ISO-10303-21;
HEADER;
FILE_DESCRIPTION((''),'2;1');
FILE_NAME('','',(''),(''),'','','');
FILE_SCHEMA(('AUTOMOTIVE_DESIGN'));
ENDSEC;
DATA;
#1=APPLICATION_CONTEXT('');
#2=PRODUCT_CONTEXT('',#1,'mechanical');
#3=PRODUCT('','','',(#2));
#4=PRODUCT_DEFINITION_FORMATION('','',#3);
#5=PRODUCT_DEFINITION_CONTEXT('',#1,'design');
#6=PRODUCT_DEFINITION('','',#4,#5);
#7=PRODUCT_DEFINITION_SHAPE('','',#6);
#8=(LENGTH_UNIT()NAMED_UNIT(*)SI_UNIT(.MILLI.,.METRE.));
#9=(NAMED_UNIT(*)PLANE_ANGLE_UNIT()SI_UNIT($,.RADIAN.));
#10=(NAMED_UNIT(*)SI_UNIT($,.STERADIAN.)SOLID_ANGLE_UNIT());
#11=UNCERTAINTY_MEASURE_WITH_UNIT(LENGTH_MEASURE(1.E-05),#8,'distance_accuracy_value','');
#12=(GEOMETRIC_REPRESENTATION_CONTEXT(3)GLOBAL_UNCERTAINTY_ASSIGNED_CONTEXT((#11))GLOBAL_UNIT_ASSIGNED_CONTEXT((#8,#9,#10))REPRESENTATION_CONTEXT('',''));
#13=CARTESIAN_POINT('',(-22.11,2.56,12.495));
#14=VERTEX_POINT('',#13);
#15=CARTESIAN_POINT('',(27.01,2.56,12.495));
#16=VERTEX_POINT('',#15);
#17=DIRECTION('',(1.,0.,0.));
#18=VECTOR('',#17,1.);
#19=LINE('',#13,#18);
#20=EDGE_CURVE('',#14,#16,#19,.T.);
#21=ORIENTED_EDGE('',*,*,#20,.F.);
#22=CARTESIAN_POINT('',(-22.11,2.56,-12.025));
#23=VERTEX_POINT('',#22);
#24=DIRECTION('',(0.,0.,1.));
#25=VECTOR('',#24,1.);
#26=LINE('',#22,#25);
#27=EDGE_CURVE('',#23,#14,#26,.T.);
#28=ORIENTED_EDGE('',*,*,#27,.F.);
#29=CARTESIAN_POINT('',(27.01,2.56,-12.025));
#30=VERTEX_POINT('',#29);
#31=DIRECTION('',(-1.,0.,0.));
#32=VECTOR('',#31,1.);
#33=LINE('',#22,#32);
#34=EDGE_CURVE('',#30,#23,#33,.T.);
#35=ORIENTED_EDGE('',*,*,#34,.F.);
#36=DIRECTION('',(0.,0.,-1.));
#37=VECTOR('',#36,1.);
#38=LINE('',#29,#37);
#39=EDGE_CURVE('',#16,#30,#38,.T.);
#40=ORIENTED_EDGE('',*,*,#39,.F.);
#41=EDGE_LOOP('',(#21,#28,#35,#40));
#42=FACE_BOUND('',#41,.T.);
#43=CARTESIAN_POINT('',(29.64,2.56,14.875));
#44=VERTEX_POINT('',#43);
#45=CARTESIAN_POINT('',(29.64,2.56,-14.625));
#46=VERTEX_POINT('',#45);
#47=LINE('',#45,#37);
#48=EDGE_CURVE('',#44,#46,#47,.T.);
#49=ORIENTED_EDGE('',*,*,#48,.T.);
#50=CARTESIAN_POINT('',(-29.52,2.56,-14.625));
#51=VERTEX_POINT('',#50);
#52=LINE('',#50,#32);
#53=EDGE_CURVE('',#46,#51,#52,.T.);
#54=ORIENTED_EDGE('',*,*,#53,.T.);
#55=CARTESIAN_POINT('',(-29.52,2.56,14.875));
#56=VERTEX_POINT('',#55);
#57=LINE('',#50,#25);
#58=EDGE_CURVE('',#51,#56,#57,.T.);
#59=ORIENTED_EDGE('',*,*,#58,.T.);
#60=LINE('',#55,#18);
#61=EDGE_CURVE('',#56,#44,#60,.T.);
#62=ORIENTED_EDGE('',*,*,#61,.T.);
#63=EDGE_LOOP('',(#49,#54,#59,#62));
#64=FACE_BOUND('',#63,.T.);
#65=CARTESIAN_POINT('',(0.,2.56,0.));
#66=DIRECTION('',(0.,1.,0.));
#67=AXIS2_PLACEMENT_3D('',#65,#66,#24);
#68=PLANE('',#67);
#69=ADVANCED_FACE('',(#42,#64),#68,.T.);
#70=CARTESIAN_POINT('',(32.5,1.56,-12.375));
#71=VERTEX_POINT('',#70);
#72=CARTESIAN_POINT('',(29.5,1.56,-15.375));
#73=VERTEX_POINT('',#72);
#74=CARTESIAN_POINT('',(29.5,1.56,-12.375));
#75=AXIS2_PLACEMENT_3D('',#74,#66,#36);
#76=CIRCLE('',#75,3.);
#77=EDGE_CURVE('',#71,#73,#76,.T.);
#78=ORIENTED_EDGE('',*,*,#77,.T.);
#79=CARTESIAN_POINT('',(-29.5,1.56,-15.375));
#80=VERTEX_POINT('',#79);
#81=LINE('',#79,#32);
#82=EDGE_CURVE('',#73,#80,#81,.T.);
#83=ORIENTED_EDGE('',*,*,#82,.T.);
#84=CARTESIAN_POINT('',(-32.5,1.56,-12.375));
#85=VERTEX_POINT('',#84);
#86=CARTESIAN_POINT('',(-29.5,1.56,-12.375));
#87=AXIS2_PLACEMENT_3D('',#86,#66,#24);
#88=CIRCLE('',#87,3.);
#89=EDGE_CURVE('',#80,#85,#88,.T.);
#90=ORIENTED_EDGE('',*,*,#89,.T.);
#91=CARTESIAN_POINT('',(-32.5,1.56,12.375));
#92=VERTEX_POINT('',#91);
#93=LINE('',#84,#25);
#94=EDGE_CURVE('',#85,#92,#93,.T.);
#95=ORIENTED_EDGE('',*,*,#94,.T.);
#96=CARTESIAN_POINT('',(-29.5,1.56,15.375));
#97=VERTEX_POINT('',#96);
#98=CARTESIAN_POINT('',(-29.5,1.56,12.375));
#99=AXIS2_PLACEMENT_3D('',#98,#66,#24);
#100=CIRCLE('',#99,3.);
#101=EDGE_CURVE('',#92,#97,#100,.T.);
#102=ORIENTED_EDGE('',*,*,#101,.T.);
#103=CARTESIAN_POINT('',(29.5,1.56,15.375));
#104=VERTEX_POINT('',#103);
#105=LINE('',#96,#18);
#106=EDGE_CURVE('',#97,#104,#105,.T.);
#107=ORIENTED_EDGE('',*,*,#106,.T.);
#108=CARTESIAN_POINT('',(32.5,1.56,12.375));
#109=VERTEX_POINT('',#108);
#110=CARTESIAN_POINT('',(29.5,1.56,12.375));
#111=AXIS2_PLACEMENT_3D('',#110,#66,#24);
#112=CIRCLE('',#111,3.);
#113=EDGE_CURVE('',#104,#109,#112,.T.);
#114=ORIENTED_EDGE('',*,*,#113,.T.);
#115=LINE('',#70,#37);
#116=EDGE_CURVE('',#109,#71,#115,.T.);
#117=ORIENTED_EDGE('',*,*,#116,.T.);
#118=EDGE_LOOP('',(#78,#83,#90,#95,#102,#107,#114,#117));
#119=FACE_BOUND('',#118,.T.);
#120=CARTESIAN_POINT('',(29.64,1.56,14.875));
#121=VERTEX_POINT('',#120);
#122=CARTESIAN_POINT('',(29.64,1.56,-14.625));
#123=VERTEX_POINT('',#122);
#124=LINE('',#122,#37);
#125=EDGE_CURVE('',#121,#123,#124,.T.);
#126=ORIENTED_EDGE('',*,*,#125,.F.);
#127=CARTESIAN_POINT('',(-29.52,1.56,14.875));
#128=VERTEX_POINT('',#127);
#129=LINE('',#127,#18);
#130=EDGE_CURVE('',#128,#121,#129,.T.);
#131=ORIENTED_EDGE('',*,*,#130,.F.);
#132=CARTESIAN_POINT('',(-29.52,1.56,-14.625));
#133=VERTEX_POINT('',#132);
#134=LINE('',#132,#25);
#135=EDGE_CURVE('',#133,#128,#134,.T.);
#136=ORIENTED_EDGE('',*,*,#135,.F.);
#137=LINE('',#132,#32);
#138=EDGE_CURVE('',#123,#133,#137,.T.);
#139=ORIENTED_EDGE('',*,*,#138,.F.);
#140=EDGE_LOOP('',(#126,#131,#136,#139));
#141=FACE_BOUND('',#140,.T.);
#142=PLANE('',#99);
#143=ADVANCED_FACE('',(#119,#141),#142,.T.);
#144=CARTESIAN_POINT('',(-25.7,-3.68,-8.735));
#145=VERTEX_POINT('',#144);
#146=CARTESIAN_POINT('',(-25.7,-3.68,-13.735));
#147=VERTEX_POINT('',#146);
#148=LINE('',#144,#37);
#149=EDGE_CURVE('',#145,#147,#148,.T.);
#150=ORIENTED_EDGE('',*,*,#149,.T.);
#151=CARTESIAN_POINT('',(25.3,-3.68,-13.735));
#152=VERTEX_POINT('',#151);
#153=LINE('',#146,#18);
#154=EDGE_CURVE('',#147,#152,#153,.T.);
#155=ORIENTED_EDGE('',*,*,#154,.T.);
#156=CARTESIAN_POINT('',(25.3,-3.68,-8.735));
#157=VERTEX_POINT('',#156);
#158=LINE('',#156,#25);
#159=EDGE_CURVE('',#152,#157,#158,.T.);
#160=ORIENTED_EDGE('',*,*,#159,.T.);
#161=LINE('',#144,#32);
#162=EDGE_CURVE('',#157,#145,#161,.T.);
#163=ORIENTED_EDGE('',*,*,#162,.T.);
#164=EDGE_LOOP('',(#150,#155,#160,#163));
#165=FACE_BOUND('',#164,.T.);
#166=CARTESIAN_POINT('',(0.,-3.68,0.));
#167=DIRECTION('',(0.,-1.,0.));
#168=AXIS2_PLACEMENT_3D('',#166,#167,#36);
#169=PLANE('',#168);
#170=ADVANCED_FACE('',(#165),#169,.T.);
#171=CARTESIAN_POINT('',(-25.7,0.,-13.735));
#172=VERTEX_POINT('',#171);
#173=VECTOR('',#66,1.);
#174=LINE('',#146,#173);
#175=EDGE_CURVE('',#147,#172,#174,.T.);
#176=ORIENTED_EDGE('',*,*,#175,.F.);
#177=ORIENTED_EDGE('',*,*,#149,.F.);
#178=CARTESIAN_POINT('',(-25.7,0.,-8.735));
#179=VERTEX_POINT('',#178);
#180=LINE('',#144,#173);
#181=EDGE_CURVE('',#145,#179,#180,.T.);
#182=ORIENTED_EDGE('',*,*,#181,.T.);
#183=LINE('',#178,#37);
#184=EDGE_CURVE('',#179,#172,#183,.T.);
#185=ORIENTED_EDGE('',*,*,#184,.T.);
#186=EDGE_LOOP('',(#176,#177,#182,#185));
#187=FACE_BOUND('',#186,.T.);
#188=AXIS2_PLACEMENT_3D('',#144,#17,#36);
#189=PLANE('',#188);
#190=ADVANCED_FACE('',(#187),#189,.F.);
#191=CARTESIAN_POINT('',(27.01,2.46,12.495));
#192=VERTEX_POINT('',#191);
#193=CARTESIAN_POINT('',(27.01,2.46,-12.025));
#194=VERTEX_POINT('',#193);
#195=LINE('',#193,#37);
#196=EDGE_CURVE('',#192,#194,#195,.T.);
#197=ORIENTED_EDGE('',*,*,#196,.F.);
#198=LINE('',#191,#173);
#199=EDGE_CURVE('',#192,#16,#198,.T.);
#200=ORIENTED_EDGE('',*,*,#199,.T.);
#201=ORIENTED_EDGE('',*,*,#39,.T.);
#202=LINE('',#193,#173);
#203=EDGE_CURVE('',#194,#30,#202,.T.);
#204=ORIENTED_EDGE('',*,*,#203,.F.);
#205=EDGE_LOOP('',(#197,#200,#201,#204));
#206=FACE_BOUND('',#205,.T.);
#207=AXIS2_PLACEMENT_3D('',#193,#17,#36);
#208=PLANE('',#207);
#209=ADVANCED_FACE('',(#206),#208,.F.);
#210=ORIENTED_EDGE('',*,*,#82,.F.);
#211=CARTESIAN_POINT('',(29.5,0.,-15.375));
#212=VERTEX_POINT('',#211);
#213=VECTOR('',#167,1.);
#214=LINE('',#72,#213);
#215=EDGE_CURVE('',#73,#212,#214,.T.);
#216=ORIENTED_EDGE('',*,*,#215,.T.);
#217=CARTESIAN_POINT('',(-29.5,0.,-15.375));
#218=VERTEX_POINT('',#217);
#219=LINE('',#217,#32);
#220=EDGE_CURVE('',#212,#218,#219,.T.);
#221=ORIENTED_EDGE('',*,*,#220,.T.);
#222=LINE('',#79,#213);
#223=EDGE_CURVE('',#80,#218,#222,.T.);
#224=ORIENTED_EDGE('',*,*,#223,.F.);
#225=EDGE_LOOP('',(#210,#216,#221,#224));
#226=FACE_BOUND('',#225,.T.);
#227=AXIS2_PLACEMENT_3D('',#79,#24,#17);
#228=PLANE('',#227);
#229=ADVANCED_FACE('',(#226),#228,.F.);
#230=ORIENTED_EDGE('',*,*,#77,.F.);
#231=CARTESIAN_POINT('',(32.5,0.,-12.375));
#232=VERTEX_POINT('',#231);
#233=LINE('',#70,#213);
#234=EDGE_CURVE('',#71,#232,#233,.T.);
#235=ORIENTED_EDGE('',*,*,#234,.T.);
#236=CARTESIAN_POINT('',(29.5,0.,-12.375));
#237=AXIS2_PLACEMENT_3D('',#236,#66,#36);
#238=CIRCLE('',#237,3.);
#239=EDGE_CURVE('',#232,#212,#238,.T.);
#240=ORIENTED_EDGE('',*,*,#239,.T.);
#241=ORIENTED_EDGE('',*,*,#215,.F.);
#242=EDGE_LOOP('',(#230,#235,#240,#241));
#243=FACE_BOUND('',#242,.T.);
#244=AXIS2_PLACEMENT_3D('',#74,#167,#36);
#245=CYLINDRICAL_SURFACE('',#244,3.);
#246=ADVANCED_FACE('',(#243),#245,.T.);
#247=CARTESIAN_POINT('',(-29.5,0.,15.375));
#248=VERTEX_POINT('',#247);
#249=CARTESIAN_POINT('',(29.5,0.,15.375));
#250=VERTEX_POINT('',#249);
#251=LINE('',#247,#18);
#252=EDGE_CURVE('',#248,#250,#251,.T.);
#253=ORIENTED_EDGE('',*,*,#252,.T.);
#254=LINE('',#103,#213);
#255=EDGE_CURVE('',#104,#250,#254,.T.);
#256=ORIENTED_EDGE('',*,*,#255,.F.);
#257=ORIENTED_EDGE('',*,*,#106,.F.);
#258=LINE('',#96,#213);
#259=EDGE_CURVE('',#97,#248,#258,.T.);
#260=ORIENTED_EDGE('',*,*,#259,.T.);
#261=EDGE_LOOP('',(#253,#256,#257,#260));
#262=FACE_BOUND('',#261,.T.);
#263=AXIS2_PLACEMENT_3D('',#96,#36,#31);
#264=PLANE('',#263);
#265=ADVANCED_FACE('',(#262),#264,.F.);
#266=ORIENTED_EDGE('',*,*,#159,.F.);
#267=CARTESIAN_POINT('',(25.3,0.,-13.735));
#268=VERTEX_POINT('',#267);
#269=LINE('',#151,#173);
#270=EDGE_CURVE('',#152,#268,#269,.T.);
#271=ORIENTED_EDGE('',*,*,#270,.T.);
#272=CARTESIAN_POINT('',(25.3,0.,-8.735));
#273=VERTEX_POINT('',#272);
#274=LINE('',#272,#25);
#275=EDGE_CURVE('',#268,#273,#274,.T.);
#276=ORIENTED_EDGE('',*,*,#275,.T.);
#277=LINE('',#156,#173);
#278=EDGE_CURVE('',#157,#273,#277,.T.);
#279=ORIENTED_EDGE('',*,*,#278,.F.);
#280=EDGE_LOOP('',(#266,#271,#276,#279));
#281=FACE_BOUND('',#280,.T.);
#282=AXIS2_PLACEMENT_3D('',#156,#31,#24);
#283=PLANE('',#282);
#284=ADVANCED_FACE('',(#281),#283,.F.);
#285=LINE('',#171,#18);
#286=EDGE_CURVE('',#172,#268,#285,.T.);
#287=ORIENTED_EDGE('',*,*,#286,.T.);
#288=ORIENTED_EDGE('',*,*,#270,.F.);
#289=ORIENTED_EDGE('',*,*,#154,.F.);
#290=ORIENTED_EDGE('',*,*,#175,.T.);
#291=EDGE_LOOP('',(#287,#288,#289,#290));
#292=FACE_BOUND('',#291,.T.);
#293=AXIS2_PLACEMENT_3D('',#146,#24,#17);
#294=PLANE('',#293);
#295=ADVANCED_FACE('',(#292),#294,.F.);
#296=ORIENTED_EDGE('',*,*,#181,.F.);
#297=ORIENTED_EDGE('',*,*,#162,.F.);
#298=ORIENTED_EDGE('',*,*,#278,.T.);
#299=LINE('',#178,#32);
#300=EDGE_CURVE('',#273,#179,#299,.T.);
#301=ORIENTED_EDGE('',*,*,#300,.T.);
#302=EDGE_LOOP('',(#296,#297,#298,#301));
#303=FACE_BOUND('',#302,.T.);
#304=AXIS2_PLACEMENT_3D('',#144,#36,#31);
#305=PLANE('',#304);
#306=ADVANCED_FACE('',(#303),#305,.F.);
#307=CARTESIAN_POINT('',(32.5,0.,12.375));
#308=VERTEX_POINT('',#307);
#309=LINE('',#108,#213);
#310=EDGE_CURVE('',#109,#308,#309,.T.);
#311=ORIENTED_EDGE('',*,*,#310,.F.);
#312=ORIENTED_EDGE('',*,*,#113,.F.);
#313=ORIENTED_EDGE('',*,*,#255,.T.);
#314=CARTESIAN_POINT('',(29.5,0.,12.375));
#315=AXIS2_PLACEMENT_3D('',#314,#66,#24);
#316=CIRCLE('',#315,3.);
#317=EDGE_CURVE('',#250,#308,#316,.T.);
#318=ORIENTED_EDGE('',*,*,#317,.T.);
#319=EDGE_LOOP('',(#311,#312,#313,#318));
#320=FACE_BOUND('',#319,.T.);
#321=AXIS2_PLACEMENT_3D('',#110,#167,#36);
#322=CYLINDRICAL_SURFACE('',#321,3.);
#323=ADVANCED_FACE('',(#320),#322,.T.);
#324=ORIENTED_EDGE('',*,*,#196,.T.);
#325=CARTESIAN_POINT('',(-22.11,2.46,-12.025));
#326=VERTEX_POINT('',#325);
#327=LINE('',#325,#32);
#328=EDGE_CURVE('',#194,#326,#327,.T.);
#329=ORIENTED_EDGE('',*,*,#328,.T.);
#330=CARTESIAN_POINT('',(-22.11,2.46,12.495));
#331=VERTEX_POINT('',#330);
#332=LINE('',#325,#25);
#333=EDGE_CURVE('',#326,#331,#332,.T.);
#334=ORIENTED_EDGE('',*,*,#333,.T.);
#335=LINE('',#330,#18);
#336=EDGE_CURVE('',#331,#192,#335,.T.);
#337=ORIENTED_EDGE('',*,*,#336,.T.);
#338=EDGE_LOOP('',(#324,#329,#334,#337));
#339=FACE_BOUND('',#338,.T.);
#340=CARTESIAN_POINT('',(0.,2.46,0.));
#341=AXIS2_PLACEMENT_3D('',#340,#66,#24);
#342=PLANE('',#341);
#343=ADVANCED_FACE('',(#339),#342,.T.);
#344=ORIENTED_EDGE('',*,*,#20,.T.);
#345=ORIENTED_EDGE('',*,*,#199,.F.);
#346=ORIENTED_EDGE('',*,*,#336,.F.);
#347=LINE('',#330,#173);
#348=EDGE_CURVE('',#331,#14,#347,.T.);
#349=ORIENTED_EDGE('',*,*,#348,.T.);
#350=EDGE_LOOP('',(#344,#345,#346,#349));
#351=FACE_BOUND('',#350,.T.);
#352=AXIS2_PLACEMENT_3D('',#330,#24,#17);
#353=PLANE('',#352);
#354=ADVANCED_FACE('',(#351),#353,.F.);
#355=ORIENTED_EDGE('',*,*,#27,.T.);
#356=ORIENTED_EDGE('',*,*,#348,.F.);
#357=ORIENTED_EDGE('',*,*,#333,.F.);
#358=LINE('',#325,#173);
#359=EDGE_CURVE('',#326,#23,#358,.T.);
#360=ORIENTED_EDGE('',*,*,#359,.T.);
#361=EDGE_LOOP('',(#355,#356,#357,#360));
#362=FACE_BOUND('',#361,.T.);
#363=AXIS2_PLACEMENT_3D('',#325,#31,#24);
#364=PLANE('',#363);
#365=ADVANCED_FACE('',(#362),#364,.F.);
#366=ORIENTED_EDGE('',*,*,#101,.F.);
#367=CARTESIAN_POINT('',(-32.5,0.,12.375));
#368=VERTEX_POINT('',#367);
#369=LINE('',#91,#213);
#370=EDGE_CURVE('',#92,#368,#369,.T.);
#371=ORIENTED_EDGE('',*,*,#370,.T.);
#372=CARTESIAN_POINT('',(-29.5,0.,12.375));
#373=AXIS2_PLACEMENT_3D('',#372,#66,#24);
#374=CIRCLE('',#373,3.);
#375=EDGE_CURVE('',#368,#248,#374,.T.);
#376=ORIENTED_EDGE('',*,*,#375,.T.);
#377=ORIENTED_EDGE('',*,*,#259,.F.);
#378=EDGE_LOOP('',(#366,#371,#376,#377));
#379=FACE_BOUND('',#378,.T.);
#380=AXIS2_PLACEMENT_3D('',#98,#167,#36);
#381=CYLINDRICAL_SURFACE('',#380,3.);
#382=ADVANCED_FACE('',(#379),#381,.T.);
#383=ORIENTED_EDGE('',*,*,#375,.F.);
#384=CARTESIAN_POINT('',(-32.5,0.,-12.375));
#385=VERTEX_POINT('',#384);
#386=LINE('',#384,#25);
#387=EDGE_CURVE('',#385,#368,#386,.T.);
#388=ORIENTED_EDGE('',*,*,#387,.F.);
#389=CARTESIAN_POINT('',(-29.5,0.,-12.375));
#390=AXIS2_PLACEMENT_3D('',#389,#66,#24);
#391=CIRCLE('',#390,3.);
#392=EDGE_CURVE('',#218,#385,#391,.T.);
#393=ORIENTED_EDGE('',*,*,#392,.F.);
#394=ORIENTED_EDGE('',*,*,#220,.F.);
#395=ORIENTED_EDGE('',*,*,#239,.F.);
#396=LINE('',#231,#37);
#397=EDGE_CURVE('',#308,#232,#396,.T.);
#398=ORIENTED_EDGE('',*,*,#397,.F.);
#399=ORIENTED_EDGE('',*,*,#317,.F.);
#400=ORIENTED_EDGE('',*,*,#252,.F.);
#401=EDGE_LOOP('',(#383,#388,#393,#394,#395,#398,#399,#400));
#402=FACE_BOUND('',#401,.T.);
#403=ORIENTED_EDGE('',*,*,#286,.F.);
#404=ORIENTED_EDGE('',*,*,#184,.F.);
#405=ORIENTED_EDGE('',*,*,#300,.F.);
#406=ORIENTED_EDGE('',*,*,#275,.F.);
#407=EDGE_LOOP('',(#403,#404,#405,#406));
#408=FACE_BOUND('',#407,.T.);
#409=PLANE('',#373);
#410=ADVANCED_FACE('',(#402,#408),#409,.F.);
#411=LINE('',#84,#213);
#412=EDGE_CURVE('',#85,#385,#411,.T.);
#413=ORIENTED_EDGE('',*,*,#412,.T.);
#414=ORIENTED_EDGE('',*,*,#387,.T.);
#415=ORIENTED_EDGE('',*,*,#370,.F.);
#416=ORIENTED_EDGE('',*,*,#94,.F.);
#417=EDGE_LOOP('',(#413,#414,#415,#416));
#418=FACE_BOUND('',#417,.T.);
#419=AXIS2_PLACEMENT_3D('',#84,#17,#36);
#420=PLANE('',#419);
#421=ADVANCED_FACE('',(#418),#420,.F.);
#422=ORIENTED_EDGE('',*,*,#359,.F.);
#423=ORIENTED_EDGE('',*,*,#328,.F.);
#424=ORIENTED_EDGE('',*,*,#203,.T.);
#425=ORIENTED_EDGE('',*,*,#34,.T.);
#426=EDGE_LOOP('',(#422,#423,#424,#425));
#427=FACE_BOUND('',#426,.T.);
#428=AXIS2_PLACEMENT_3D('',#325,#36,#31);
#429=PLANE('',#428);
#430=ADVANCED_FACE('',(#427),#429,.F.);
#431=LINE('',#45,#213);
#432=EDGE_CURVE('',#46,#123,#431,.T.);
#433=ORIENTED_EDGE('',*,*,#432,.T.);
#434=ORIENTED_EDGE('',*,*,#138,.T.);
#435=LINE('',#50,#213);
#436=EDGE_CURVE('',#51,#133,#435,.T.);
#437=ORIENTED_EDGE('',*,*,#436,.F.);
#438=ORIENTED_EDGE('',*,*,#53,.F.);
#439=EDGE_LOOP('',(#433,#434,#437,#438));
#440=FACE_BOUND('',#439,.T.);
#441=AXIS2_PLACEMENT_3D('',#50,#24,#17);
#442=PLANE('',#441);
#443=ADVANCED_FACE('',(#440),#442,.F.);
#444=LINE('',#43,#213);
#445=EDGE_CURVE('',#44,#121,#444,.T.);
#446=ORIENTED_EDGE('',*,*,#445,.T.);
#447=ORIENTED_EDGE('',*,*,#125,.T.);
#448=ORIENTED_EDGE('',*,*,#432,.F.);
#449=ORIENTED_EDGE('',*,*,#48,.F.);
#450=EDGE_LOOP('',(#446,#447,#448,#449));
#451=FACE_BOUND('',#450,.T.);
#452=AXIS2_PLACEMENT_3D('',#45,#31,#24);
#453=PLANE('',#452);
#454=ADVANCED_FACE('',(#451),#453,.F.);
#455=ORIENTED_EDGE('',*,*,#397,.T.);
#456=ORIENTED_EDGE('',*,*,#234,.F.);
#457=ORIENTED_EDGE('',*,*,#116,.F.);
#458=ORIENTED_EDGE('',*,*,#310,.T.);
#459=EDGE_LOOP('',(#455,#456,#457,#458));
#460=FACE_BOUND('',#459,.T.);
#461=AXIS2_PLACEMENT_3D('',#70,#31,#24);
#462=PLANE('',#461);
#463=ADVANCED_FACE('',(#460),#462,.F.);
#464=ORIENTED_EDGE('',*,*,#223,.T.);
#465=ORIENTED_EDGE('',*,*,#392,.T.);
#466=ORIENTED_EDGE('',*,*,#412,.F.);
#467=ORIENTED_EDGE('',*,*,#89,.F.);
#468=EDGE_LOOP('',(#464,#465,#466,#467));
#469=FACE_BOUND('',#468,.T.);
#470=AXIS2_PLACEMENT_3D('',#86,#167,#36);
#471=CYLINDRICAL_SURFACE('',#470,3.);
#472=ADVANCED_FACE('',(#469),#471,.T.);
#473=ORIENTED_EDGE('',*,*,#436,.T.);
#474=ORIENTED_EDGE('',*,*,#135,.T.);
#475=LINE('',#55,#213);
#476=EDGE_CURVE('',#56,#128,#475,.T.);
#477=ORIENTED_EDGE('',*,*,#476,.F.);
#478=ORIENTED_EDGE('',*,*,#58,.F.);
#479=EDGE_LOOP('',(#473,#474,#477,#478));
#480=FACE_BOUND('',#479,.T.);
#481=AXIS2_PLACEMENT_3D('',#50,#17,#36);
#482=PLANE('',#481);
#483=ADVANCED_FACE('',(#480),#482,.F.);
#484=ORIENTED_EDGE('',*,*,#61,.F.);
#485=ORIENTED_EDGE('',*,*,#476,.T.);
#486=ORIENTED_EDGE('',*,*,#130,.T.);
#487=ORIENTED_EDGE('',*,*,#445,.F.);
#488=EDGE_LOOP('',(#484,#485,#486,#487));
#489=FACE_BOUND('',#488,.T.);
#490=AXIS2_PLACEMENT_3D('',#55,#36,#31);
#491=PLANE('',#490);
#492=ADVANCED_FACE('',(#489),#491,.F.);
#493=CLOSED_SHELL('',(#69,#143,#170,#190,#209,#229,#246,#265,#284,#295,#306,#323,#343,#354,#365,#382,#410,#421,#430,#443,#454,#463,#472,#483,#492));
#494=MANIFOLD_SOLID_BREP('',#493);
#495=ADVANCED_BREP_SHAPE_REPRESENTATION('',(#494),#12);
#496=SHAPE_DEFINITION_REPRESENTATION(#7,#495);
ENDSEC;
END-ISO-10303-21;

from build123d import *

# Parameters (mm, degrees)
EXTRUDE_1_DEPTH     = 1.56
SKETCH_3_W          = 59.16
SKETCH_3_H          = 29.5
EXTRUDE_2_DEPTH     = 1
SKETCH_8_W          = 51
SKETCH_8_H          = 5
EXTRUDE_6_DEPTH     = 3.68
SKETCH_9_W          = 49.12
SKETCH_9_H          = 24.52
CUT_EXTRUDE_1_DEPTH = 0.1


with BuildPart() as part:
    # 草图1 → 凸台-拉伸1 (new body)
    with BuildSketch(Plane(origin=(0, 0, 0), x_dir=(1, 0, 0), z_dir=(0, 1, 0))):
        with BuildLine():
            Line((-29.5, 15.375), (29.5, 15.375))
            ThreePointArc((29.5, 15.375), (31.621320344, 14.496320344), (32.5, 12.375))
            Line((32.5, 12.375), (32.5, -12.375))
            ThreePointArc((32.5, -12.375), (31.621320344, -14.496320344), (29.5, -15.375))
            Line((29.5, -15.375), (-29.5, -15.375))
            ThreePointArc((-29.5, -15.375), (-31.621320344, -14.496320344), (-32.5, -12.375))
            Line((-32.5, -12.375), (-32.5, 12.375))
            ThreePointArc((-32.5, 12.375), (-31.621320344, 14.496320344), (-29.5, 15.375))
        make_face()
    extrude(amount=EXTRUDE_1_DEPTH)

    # 草图3 → 凸台-拉伸2 (add)
    with BuildSketch(Plane(origin=(0, 1.56, 0), x_dir=(1, 0, 0), z_dir=(0, 1, 0))):
        with Locations((0.06, -0.125)):
            Rectangle(SKETCH_3_W, SKETCH_3_H)
    extrude(amount=EXTRUDE_2_DEPTH)

    # 草图8 → 凸台-拉伸6 (add)
    with BuildSketch(Plane.XZ):
        with Locations((-0.2, -11.235)):
            Rectangle(SKETCH_8_W, SKETCH_8_H)
    extrude(amount=EXTRUDE_6_DEPTH)

    # 草图9 → 切除-拉伸1 (cut)
    with BuildSketch(Plane(origin=(0, 2.56, 0), x_dir=(1, 0, 0), z_dir=(0, 1, 0))):
        with Locations((2.45, -0.235)):
            Rectangle(SKETCH_9_W, SKETCH_9_H)
    extrude(amount=-CUT_EXTRUDE_1_DEPTH, mode=Mode.SUBTRACT)


solid = part.part
